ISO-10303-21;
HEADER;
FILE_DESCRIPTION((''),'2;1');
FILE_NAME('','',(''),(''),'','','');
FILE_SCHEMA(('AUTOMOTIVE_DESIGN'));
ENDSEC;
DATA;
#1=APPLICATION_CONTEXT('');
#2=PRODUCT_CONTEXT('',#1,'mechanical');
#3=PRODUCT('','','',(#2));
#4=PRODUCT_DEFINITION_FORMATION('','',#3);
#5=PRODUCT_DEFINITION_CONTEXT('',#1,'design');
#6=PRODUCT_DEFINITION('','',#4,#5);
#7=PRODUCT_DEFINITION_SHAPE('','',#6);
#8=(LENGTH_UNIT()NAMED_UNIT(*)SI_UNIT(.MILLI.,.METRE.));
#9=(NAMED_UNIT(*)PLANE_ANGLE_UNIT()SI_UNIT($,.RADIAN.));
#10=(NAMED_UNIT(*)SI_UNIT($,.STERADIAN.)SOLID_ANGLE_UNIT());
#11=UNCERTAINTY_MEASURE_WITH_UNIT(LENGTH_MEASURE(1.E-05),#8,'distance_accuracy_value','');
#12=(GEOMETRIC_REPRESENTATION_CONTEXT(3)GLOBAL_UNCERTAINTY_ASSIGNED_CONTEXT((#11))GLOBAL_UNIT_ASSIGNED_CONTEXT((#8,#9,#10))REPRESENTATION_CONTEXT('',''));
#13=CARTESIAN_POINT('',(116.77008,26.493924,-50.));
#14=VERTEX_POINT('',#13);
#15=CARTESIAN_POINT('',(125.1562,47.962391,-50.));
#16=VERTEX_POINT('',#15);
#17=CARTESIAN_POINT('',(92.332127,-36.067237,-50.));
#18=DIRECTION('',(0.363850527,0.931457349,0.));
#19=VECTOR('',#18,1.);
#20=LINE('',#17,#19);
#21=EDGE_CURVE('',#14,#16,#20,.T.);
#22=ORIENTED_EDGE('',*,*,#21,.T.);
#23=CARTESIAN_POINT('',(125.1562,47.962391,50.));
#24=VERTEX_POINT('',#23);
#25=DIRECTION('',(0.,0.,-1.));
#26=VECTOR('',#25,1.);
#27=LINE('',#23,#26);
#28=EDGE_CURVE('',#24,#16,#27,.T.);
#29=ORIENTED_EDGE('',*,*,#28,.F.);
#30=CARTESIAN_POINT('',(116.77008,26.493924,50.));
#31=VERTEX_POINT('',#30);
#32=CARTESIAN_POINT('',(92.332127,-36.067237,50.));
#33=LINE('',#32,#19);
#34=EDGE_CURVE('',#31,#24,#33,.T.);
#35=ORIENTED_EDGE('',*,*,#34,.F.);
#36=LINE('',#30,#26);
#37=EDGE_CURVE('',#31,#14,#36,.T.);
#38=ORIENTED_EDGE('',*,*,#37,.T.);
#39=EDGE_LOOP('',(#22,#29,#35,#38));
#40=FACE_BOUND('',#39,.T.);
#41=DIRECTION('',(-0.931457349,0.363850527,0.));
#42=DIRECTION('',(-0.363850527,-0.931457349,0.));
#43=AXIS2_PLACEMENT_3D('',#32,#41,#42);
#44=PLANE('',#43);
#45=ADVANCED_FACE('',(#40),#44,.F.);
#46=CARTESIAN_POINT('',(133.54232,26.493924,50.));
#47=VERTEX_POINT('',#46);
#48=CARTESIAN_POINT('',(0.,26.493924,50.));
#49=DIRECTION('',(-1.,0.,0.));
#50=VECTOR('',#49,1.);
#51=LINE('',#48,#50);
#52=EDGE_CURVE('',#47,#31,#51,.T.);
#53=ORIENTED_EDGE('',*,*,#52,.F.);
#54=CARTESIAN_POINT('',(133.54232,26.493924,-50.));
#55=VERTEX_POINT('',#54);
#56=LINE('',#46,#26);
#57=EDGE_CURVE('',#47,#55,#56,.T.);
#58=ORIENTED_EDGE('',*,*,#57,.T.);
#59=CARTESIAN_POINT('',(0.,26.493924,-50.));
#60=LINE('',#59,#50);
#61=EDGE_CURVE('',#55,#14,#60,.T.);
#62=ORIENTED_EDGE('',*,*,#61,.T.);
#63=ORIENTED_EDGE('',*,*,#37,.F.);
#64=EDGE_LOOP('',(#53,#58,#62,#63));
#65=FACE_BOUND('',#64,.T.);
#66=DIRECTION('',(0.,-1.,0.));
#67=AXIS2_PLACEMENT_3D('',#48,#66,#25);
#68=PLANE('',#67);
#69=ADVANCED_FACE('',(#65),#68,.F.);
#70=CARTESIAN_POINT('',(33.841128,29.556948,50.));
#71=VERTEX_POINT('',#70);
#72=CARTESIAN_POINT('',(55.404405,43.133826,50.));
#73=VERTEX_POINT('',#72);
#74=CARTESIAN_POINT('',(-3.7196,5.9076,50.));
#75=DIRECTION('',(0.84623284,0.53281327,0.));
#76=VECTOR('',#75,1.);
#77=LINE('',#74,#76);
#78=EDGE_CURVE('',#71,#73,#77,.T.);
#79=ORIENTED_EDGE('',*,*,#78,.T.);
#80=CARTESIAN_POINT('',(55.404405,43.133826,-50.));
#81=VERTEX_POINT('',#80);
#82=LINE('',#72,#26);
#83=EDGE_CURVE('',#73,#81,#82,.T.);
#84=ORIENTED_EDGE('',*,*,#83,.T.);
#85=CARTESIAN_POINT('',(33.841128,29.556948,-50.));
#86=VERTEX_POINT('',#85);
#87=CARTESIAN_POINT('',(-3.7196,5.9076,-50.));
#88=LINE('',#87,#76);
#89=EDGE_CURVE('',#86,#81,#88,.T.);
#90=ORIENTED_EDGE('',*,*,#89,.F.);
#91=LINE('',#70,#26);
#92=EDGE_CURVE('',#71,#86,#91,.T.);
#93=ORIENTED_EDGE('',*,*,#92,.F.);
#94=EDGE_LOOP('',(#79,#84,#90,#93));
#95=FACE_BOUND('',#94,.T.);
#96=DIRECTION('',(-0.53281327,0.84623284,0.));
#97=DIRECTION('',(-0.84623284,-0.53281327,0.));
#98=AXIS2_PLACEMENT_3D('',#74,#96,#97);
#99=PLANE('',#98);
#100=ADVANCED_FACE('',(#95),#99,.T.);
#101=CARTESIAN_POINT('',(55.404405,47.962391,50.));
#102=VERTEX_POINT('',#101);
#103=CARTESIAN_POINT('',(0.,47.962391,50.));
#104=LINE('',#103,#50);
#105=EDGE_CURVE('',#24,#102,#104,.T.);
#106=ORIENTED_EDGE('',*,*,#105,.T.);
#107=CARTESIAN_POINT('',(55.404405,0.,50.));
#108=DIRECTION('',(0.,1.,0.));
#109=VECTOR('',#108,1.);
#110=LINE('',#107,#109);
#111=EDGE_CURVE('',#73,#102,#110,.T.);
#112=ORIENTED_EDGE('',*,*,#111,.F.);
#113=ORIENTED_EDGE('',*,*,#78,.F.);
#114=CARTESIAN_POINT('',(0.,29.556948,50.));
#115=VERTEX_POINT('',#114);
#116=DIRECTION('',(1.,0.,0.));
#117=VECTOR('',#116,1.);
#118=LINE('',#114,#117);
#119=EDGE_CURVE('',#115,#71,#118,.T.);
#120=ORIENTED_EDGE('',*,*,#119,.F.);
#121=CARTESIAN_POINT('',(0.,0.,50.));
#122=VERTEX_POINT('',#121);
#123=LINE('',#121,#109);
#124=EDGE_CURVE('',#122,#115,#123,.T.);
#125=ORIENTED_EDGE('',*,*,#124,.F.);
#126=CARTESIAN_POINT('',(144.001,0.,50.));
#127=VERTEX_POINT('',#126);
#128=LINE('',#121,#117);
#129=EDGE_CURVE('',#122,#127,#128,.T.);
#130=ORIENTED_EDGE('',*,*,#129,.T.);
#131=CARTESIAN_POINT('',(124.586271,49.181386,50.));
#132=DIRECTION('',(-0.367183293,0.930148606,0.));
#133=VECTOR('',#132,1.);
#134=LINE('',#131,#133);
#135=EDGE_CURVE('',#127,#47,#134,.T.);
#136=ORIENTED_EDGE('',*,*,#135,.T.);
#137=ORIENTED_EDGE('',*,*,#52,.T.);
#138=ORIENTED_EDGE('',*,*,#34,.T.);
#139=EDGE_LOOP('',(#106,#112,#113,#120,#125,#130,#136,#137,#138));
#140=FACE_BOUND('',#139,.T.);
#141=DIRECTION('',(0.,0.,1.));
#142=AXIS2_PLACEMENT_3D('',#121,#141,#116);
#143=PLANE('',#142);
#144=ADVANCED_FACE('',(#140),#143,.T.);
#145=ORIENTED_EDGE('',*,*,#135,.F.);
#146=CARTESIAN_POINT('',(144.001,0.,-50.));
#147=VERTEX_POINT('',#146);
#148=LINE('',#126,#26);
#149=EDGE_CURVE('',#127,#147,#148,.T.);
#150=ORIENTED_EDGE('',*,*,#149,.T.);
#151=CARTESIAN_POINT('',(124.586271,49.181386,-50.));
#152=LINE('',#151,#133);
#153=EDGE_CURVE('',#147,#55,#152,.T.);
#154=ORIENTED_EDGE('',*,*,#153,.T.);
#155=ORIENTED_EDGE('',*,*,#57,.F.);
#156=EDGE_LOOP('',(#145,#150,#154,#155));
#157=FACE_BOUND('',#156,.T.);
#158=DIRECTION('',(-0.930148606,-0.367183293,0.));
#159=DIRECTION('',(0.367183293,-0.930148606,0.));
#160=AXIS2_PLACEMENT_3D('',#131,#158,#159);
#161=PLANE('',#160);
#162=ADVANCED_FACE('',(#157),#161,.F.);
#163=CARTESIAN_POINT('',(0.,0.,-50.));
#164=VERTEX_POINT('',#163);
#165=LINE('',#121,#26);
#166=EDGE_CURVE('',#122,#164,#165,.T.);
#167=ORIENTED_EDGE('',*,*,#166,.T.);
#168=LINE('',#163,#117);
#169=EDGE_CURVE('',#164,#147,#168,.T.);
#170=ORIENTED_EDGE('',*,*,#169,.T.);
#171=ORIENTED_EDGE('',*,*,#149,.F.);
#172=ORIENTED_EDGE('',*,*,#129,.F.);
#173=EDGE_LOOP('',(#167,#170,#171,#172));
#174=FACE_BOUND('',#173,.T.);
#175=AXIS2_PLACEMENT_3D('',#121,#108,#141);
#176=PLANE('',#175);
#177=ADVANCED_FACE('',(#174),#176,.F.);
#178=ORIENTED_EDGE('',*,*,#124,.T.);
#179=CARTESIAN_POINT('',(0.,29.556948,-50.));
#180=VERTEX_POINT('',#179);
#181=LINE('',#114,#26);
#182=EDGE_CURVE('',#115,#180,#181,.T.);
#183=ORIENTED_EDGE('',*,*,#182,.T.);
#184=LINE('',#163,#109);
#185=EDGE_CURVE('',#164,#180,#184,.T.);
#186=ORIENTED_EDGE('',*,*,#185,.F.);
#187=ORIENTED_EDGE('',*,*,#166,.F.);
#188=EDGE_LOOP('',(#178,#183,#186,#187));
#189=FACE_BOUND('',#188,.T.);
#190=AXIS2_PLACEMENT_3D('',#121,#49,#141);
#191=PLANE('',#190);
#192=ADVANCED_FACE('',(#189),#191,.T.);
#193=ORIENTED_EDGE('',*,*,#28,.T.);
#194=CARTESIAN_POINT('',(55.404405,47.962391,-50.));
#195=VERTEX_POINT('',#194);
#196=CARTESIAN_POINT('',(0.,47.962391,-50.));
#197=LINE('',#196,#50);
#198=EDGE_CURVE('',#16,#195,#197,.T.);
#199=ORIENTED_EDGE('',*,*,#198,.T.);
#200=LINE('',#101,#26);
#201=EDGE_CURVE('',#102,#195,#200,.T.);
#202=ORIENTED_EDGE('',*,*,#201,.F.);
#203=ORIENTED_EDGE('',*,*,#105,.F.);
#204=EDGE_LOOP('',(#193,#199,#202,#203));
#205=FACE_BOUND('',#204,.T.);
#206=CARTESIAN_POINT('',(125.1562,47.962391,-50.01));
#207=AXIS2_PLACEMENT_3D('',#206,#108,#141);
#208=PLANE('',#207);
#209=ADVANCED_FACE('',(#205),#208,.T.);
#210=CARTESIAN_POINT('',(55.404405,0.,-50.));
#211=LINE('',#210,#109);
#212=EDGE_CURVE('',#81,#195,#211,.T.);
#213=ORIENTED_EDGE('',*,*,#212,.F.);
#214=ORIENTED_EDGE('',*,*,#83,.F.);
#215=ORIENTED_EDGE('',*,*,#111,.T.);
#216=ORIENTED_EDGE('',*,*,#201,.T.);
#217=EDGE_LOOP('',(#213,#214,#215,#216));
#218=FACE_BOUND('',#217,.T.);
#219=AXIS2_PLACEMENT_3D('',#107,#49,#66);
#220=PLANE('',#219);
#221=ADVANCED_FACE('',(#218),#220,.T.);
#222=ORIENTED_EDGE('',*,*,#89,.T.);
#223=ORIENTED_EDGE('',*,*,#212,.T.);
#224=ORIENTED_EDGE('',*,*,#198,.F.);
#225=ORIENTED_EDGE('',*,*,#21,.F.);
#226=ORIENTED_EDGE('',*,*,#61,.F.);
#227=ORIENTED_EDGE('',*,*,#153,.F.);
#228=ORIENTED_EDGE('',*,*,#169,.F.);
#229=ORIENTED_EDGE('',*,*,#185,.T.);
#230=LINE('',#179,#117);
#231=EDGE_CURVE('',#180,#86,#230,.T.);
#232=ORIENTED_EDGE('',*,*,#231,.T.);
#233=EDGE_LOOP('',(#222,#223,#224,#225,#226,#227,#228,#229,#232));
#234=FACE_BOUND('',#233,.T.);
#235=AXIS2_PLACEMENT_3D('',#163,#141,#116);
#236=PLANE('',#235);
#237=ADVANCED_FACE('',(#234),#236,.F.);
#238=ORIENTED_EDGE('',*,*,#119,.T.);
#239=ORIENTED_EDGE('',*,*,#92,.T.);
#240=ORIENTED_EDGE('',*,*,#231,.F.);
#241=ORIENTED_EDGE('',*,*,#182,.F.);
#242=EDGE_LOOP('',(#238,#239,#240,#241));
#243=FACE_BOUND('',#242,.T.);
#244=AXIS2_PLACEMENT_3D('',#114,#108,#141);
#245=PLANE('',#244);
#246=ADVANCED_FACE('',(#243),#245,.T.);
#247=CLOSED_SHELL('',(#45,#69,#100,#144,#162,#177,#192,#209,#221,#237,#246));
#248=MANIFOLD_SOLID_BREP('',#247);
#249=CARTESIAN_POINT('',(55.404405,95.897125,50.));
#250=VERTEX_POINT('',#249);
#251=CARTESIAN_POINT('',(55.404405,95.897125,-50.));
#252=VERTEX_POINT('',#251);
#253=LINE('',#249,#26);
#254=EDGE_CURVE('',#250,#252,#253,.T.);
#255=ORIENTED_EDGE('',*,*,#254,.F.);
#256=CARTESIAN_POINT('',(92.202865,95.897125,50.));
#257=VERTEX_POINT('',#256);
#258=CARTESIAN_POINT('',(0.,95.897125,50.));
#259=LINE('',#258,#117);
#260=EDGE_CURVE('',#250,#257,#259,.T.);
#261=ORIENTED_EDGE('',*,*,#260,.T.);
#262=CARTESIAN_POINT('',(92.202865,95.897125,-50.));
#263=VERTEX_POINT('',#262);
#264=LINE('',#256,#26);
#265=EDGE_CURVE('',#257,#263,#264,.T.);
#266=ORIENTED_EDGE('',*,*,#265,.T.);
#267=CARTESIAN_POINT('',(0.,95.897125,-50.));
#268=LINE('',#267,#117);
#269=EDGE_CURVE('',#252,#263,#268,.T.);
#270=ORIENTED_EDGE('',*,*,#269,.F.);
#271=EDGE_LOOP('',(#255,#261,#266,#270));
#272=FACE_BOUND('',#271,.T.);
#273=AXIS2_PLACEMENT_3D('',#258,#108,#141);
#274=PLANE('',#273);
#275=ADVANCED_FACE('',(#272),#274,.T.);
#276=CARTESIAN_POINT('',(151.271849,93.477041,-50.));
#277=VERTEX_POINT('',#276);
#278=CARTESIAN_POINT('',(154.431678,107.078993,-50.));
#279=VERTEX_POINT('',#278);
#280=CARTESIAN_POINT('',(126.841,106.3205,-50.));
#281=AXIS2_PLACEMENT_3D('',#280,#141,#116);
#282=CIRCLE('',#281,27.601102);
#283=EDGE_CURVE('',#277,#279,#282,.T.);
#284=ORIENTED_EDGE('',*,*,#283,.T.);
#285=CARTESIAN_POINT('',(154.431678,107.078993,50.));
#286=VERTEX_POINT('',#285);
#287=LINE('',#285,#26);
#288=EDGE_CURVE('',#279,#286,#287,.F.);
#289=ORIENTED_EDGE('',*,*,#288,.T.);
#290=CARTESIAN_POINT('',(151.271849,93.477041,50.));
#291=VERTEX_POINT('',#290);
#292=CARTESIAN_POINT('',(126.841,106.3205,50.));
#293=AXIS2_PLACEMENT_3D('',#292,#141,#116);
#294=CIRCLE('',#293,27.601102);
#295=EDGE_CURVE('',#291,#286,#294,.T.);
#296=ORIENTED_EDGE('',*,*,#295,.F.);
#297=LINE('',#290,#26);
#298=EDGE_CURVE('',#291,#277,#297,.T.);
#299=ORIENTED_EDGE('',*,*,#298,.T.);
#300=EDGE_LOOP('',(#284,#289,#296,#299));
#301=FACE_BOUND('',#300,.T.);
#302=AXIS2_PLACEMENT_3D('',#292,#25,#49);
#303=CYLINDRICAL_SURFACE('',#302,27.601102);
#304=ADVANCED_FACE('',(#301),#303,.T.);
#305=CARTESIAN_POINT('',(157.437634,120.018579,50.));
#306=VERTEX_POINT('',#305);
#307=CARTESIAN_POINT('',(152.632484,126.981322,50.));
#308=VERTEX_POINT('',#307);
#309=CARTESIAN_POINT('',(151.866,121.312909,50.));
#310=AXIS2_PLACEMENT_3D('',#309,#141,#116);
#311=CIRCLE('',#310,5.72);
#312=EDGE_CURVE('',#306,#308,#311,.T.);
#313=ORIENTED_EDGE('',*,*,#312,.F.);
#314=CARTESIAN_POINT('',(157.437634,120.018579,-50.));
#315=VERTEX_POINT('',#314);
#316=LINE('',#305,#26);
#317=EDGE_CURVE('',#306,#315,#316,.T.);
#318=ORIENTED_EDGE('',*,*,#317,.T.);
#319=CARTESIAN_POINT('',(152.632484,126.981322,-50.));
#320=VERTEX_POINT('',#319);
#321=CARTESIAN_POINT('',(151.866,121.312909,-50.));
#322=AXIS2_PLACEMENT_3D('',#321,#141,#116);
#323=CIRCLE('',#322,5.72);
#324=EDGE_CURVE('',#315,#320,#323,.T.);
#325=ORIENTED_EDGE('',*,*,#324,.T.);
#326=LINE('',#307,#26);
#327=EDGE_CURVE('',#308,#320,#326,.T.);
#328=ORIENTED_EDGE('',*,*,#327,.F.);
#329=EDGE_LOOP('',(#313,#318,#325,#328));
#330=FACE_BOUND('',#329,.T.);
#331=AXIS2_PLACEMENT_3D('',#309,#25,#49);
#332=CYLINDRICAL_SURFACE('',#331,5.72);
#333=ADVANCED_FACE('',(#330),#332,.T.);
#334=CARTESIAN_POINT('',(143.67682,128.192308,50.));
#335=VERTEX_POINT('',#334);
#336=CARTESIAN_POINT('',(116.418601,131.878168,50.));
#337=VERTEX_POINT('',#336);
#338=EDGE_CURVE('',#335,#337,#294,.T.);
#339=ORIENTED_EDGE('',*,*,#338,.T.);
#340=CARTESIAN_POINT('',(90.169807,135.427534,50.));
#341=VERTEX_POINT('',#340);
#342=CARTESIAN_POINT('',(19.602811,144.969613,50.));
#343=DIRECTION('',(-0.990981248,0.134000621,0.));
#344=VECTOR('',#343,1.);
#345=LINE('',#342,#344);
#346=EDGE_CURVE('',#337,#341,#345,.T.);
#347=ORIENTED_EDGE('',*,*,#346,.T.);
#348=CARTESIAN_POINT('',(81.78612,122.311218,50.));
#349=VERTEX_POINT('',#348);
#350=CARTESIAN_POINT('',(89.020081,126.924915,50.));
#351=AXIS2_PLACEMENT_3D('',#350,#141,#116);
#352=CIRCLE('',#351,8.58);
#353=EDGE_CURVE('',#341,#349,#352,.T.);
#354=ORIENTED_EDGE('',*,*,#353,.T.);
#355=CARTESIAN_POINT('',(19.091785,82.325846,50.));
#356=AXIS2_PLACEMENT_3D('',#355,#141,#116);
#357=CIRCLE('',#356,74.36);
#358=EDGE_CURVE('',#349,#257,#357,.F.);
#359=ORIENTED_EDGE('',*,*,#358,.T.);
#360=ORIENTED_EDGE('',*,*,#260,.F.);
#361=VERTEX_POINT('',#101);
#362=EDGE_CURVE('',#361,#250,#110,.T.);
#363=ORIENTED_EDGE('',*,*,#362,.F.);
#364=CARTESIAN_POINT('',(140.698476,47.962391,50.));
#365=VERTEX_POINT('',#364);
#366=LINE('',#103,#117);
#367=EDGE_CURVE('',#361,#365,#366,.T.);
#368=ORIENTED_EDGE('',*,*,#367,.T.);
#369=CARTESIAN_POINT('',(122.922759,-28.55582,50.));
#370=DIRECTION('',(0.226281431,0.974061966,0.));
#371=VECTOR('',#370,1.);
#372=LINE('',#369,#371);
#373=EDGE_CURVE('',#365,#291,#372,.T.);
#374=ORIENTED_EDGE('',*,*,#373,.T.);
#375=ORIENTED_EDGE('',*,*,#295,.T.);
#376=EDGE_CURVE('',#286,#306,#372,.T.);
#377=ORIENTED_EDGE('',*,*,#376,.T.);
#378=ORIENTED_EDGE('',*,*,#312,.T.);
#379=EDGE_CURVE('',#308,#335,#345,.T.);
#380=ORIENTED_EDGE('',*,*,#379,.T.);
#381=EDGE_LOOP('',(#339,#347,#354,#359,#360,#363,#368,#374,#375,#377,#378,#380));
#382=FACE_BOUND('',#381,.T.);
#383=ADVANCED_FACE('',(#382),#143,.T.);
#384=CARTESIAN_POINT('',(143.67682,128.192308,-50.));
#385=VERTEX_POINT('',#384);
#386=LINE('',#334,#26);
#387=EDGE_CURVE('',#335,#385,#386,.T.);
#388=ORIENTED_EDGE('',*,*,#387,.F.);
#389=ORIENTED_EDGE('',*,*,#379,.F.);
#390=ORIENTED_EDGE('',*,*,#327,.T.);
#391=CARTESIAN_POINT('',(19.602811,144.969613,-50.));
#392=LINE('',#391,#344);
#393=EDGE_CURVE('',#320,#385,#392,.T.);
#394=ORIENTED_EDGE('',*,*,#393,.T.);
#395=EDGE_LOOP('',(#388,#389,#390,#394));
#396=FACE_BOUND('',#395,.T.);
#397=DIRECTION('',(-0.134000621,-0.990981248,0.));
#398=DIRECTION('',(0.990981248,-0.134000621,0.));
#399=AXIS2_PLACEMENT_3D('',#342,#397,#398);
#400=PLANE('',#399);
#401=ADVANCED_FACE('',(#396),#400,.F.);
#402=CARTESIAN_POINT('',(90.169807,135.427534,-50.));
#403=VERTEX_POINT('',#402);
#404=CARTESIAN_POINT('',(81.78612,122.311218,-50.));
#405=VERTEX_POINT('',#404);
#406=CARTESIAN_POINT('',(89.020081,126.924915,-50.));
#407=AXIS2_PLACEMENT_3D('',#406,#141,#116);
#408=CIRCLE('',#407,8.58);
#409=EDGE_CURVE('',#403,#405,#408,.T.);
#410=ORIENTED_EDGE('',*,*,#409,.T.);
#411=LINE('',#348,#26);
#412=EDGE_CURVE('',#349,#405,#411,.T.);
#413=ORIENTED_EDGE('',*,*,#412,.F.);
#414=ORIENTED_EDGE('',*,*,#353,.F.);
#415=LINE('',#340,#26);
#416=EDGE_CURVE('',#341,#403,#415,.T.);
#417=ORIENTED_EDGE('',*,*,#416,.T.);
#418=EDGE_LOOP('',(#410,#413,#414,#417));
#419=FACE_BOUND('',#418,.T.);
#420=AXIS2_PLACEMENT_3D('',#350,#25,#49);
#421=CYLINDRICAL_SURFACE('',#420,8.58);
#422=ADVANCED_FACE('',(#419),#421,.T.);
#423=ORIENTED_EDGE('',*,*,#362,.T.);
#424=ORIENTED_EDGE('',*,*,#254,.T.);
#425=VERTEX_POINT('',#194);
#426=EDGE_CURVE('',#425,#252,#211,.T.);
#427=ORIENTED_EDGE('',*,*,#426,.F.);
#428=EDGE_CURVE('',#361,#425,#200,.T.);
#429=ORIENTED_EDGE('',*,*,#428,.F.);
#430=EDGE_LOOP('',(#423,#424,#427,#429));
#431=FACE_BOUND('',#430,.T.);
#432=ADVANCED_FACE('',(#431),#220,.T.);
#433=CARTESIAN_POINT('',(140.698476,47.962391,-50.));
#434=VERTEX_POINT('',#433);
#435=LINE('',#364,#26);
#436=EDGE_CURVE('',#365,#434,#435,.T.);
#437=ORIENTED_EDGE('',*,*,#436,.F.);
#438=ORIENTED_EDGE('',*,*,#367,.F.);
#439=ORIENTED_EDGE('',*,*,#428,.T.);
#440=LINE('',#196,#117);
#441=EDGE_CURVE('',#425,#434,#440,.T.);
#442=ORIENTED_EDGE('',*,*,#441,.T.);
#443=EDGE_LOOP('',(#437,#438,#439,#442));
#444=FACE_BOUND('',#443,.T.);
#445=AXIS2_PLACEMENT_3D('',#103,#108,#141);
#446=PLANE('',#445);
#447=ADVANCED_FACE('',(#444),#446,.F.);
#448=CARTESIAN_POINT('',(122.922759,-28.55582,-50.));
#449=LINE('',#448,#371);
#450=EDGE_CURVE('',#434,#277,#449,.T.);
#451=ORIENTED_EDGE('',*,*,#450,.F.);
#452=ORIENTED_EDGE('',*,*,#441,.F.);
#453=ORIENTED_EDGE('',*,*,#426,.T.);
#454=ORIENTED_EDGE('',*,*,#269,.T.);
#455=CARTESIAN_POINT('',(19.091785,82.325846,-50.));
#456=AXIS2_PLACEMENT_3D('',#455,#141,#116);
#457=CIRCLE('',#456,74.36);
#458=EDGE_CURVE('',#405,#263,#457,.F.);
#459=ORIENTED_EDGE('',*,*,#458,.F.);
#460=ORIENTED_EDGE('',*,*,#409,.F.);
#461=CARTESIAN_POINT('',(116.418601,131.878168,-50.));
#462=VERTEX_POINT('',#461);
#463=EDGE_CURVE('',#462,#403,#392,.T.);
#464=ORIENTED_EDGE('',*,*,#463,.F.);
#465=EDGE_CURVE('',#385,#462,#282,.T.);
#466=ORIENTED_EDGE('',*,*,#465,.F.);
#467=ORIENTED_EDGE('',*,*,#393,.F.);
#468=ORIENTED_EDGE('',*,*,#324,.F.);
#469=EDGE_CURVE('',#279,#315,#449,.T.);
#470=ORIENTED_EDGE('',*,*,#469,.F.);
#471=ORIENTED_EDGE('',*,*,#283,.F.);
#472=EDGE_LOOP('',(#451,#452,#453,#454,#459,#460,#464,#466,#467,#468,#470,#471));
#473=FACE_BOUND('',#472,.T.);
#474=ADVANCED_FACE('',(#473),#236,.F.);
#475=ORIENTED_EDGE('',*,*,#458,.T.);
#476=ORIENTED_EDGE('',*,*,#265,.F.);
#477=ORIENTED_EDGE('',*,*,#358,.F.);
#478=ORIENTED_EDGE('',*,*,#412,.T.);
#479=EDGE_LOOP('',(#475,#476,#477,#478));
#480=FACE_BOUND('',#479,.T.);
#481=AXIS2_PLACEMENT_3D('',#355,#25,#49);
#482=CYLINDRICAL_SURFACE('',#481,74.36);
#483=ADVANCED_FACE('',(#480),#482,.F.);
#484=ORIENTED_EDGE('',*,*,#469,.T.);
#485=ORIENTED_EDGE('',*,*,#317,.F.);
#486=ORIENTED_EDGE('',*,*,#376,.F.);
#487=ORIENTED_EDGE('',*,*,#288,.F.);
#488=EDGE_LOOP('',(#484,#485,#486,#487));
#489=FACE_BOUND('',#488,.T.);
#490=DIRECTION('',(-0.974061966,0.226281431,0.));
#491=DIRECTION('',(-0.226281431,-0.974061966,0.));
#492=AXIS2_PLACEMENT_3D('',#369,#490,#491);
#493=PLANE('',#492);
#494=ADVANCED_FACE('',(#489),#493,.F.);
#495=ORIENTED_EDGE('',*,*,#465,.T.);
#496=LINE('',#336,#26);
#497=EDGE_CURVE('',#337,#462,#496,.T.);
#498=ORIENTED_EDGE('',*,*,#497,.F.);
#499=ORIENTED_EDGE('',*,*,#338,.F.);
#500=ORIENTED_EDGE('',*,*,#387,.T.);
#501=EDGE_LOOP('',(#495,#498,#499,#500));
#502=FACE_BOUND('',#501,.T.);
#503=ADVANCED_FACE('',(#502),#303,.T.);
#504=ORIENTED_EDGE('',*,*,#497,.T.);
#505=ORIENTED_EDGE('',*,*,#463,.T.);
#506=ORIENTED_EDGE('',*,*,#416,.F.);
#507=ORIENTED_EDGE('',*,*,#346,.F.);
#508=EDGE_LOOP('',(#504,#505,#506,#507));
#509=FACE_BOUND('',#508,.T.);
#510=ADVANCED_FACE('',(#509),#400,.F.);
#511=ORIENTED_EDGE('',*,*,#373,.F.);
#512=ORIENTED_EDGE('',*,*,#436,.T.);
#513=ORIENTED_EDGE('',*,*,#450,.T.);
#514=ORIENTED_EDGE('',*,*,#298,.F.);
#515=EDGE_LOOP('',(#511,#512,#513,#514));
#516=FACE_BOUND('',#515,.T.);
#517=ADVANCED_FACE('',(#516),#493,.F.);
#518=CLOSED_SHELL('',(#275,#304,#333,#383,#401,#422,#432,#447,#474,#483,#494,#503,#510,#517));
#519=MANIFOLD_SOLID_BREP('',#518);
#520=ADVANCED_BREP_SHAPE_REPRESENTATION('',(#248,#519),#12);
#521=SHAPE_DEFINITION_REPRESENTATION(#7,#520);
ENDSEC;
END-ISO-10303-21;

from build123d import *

# Parameters (mm, degrees)
SKETCH_1_R                     = 27.60110162
EXTRUDE_1_DEPTH                = 50
SPLIT_BODIES_1_SURFACE_1_BACK  = 231.64
SPLIT_BODIES_1_SURFACE_1_DEPTH = 463.28
SPLIT_BODIES_1_SURFACE_2_BACK  = 231.64
SPLIT_BODIES_1_SURFACE_2_DEPTH = 463.28


with BuildPart() as part:
    # 草图1 → 凸台-拉伸1 (new, symmetric)
    with BuildSketch(Plane.XY):
        with Locations((126.841, 106.3205)):
            Circle(SKETCH_1_R)
        with BuildLine():
            Line((0, 29.556947787), (33.841128496, 29.556947787))
            Line((33.841128496, 29.556947787), (55.404404979, 43.133825573))
            Line((55.404404979, 43.133825573), (55.404404979, 95.897124924))
            Line((55.404404979, 95.897124924), (92.202864513, 95.897124924))
            ThreePointArc((92.202864513, 95.897124924), (88.266951773, 109.605982584), (81.786119565, 122.311217777))
            ThreePointArc((81.786119565, 122.311217777), (81.790702408, 131.54578908), (90.169806602, 135.427533672))
            Line((90.169806602, 135.427533672), (152.632483554, 126.981321854))
            ThreePointArc((152.632483554, 126.981321854), (156.573746893, 124.561834969), (157.437634447, 120.018579331))
            Line((157.437634447, 120.018579331), (140.698476255, 47.962391292))
            Line((140.698476255, 47.962391292), (125.156200351, 47.962391292))
            Line((125.156200351, 47.962391292), (116.770080258, 26.493923855))
            Line((116.770080258, 26.493923855), (133.542320443, 26.493923855))
            Line((133.542320443, 26.493923855), (144.001, 0))
            Line((144.001, 0), (0, 0))
            Line((0, 0), (0, 29.556947787))
        make_face()
    extrude(amount=EXTRUDE_1_DEPTH, both=True)


with BuildPart() as body_2:
    # Split Bodies 1: the piece behind the surface
    add(part.part)
    # Split Bodies 1 surface: a surface, the sketch's curves swept straight by 463.28 mm
    with BuildLine(Plane.XY.offset(50).offset(-SPLIT_BODIES_1_SURFACE_1_BACK), mode=Mode.PRIVATE) as split_bodies_1_surface_1_path:
        Line((125.156200351, 47.962391292), (37.921543342, 47.962391292))
    split_bodies_1_surface_1 = Shell.extrude(split_bodies_1_surface_1_path.wire(), (0 * SPLIT_BODIES_1_SURFACE_1_DEPTH, 0 * SPLIT_BODIES_1_SURFACE_1_DEPTH, 1 * SPLIT_BODIES_1_SURFACE_1_DEPTH))
    split(bisect_by=split_bodies_1_surface_1, keep=Keep.BOTTOM)


with BuildPart() as part_1:
    add(part.part)

    # Split Bodies 1: split by a surface, the side it looks to stays
    # Split Bodies 1 surface: a surface, the sketch's curves swept straight by 463.28 mm
    with BuildLine(Plane.XY.offset(50).offset(-SPLIT_BODIES_1_SURFACE_2_BACK), mode=Mode.PRIVATE) as split_bodies_1_surface_2_path:
        Line((125.156200351, 47.962391292), (37.921543342, 47.962391292))
    split_bodies_1_surface_2 = Shell.extrude(split_bodies_1_surface_2_path.wire(), (0 * SPLIT_BODIES_1_SURFACE_2_DEPTH, 0 * SPLIT_BODIES_1_SURFACE_2_DEPTH, 1 * SPLIT_BODIES_1_SURFACE_2_DEPTH))
    split(bisect_by=split_bodies_1_surface_2, keep=Keep.TOP)


solid = Compound([body_2.part, part_1.part])
